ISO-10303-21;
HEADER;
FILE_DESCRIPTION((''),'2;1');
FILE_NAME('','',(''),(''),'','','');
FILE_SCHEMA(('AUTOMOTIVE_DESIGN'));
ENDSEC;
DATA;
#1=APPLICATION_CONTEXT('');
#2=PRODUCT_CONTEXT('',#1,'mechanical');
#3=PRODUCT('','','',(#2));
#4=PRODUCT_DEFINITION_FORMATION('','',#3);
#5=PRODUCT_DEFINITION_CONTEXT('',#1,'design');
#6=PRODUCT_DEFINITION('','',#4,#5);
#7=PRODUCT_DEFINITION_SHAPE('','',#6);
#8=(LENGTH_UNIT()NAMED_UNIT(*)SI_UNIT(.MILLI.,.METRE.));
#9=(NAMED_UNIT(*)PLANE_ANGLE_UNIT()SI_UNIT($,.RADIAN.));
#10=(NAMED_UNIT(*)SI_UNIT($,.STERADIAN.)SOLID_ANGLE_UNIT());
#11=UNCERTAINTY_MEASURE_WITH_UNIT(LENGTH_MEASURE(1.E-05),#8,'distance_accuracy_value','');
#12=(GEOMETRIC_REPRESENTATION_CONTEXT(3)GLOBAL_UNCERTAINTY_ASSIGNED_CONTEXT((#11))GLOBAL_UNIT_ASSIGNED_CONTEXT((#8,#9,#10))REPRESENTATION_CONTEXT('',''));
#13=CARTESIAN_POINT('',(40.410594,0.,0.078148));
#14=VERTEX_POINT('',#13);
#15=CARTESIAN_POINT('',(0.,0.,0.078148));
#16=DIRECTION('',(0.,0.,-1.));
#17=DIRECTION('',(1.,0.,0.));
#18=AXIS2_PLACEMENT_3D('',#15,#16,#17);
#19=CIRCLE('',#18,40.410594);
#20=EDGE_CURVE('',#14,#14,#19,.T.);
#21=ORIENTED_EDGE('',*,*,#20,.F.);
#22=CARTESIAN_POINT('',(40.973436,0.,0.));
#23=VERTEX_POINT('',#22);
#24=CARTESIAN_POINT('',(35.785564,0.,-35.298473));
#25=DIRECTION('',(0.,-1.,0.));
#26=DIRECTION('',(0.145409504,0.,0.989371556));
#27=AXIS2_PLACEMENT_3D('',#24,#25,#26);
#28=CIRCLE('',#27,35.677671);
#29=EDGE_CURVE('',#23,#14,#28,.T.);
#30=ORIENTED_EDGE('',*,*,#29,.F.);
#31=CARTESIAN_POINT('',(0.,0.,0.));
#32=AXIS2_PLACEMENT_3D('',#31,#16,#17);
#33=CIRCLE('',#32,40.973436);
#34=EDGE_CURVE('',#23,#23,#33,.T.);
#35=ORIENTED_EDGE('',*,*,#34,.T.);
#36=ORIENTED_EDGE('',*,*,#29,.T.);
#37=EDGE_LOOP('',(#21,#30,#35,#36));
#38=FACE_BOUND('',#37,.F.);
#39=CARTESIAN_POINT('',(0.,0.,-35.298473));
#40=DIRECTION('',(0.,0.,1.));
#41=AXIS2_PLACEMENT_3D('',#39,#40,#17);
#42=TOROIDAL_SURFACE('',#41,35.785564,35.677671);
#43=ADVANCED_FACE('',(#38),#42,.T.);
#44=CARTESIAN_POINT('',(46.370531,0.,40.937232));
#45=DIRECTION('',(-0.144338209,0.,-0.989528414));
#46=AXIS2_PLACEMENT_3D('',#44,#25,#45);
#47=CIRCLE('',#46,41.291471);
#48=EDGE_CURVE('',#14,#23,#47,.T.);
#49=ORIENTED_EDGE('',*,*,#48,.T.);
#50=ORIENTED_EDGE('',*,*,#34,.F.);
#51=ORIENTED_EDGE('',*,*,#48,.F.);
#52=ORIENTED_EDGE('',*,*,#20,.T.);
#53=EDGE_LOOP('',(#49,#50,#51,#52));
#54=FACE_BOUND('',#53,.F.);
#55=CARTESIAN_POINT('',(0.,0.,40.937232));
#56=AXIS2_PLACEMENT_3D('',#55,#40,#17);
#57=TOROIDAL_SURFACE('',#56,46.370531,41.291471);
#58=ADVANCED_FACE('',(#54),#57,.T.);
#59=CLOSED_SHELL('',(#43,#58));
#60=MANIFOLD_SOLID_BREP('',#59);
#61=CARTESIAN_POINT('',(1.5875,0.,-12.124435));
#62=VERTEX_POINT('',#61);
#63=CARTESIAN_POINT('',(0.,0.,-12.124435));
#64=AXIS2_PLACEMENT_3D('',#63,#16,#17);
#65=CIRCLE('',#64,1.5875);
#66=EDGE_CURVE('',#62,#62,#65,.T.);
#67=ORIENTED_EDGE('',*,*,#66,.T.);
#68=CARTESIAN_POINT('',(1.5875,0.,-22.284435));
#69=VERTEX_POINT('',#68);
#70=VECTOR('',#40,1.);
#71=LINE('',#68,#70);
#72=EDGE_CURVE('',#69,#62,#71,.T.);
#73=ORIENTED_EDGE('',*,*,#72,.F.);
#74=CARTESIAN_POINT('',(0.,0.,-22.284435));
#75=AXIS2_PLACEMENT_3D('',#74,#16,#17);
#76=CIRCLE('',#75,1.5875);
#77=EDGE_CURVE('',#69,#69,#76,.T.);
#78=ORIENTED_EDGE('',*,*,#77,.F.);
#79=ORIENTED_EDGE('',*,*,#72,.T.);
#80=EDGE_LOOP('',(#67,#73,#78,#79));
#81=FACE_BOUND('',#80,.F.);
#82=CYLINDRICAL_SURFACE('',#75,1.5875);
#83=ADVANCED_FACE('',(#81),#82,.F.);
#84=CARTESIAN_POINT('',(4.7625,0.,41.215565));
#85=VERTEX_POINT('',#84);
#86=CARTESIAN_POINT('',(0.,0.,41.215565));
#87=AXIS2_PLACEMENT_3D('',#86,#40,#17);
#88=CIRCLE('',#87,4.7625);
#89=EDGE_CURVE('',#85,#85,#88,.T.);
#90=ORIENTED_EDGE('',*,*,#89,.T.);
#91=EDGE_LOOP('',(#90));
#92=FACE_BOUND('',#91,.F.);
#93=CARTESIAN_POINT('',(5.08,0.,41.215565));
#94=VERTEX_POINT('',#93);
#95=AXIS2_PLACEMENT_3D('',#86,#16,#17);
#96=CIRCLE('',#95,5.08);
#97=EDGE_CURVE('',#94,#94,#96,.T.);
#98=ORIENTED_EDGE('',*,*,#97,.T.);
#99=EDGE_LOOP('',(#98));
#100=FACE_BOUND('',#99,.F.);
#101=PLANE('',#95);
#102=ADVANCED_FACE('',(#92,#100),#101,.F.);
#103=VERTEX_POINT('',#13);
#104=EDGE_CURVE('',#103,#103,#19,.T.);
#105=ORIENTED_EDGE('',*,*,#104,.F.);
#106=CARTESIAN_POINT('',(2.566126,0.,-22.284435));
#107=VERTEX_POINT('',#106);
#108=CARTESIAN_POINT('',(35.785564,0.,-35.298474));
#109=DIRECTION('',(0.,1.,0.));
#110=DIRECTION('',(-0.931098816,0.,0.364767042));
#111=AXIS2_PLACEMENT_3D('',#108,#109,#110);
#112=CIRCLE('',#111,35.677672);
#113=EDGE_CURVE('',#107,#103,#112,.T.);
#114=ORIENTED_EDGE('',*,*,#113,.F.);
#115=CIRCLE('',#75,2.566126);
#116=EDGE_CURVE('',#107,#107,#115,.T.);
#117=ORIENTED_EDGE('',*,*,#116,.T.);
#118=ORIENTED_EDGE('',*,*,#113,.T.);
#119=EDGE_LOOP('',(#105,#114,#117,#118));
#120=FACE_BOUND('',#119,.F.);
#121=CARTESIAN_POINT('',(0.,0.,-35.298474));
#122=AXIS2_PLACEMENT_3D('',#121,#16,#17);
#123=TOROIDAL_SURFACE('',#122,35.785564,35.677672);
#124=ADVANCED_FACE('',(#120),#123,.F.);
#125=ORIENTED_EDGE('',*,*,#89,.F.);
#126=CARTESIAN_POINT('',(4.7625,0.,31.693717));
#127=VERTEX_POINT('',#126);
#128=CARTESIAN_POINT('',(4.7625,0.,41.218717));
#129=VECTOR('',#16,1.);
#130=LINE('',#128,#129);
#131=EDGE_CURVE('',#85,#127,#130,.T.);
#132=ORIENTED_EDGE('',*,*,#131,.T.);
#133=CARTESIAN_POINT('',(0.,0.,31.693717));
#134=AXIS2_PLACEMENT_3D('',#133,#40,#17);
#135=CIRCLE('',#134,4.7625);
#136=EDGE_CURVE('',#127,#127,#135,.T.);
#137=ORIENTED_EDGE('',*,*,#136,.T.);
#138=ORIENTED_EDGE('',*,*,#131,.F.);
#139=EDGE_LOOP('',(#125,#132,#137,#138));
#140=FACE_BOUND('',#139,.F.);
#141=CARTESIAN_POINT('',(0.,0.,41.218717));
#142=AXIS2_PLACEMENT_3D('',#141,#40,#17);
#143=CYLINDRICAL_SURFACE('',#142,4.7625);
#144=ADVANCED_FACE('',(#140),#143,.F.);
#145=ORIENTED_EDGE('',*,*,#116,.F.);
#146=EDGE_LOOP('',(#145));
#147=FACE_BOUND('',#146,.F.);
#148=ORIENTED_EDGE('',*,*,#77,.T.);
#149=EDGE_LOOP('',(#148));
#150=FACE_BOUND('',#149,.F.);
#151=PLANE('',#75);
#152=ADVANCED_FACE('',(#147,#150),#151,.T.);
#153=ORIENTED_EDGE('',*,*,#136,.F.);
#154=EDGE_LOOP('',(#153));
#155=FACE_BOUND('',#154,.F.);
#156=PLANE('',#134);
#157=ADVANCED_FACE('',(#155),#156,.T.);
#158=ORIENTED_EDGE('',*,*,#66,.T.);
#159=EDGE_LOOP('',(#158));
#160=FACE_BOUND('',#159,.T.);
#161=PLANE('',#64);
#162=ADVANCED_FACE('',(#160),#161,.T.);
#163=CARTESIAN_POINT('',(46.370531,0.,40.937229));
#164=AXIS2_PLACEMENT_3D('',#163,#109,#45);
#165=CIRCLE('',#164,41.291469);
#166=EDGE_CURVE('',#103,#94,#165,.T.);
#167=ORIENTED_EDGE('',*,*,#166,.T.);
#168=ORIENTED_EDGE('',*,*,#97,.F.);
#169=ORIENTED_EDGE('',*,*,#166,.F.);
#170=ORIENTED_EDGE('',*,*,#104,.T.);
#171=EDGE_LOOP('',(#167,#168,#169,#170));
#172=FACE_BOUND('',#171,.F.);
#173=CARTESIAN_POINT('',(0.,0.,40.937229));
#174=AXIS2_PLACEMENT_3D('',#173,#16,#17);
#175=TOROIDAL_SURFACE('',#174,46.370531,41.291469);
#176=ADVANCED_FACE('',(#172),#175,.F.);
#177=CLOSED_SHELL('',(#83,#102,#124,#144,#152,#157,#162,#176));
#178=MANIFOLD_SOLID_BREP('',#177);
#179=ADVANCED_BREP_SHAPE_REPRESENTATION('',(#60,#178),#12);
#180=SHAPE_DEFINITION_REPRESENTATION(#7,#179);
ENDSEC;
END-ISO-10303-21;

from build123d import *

# Parameters (mm, degrees)
F2_W     = 4.7625
F2_H     = 0.9399531578
F4_DEPTH = 9.525
F5_R     = 1.5875
F6_DEPTH = 10.16


with BuildPart() as f1:
    # F0 (on Front) → F1 (revolve)
    with BuildSketch(Plane.XZ):
        with BuildLine():
            ThreePointArc((40.9734362515, 0), (40.6921706726, 0.0401945711), (40.4105939212, 0.0781479958))
            ThreePointArc((40.4105939212, 0.0781479958), (40.6918806534, 0.0381057766), (40.9734362515, 0))
        make_face()
    revolve(axis=Axis((0, 0, 9.465565093), (0, 0, -1)))


with BuildPart() as f1b:
    # F0 (on Front) → F1, piece 2 (revolve)
    with BuildSketch(Plane.XZ):
        with BuildLine():
            ThreePointArc((40.4105939212, 0.0781479958), (15.0460443882, 14.0344052695), (5.08, 41.215565093))
            Line((5.08, 41.215565093), (0, 41.215565093))
            Line((0, 41.215565093), (0, -22.284434907))
            Line((0, -22.284434907), (2.5661256667, -22.284434907))
            ThreePointArc((2.5661256667, -22.284434907), (17.6353207797, -4.5825991478), (40.4105939212, 0.0781479958))
        make_face()
    revolve(axis=Axis((0, 0, 9.465565093), (0, 0, -1)))


with BuildPart() as f3:
    # F2 (on Front) → F3 (revolve)
    with BuildSketch(Plane.XZ):
        with Locations((2.38125, 40.7487400723)):
            Rectangle(F2_W, F2_H)
    revolve(axis=Axis((0, 0, 40.7487400723), (0, 0, 1)))


with BuildPart() as f4_tool:
    # F4 (cut): a face of the model
    f4_faces = [f3.part.faces().sort_by_distance(p)[0] for p in [
        (0, 0, 41.2187166512),
    ]]
    extrude(f4_faces, amount=-F4_DEPTH)


with BuildPart() as f1b_1:
    add(f1b.part)

    # F4: cut by f4_tool
    add(f4_tool.part, mode=Mode.SUBTRACT)

    # F5 (on face) → F6 (cut)
    with BuildSketch(Plane(origin=(0, 0, -22.284434907), x_dir=(1, 0, 0), z_dir=(0, 0, -1))):
        Circle(F5_R)
    extrude(amount=-F6_DEPTH, mode=Mode.SUBTRACT)


with BuildPart() as f3_1:
    add(f3.part)

    # F4: cut by f4_tool
    add(f4_tool.part, mode=Mode.SUBTRACT)


solid = Compound([f1.part, f1b_1.part])
